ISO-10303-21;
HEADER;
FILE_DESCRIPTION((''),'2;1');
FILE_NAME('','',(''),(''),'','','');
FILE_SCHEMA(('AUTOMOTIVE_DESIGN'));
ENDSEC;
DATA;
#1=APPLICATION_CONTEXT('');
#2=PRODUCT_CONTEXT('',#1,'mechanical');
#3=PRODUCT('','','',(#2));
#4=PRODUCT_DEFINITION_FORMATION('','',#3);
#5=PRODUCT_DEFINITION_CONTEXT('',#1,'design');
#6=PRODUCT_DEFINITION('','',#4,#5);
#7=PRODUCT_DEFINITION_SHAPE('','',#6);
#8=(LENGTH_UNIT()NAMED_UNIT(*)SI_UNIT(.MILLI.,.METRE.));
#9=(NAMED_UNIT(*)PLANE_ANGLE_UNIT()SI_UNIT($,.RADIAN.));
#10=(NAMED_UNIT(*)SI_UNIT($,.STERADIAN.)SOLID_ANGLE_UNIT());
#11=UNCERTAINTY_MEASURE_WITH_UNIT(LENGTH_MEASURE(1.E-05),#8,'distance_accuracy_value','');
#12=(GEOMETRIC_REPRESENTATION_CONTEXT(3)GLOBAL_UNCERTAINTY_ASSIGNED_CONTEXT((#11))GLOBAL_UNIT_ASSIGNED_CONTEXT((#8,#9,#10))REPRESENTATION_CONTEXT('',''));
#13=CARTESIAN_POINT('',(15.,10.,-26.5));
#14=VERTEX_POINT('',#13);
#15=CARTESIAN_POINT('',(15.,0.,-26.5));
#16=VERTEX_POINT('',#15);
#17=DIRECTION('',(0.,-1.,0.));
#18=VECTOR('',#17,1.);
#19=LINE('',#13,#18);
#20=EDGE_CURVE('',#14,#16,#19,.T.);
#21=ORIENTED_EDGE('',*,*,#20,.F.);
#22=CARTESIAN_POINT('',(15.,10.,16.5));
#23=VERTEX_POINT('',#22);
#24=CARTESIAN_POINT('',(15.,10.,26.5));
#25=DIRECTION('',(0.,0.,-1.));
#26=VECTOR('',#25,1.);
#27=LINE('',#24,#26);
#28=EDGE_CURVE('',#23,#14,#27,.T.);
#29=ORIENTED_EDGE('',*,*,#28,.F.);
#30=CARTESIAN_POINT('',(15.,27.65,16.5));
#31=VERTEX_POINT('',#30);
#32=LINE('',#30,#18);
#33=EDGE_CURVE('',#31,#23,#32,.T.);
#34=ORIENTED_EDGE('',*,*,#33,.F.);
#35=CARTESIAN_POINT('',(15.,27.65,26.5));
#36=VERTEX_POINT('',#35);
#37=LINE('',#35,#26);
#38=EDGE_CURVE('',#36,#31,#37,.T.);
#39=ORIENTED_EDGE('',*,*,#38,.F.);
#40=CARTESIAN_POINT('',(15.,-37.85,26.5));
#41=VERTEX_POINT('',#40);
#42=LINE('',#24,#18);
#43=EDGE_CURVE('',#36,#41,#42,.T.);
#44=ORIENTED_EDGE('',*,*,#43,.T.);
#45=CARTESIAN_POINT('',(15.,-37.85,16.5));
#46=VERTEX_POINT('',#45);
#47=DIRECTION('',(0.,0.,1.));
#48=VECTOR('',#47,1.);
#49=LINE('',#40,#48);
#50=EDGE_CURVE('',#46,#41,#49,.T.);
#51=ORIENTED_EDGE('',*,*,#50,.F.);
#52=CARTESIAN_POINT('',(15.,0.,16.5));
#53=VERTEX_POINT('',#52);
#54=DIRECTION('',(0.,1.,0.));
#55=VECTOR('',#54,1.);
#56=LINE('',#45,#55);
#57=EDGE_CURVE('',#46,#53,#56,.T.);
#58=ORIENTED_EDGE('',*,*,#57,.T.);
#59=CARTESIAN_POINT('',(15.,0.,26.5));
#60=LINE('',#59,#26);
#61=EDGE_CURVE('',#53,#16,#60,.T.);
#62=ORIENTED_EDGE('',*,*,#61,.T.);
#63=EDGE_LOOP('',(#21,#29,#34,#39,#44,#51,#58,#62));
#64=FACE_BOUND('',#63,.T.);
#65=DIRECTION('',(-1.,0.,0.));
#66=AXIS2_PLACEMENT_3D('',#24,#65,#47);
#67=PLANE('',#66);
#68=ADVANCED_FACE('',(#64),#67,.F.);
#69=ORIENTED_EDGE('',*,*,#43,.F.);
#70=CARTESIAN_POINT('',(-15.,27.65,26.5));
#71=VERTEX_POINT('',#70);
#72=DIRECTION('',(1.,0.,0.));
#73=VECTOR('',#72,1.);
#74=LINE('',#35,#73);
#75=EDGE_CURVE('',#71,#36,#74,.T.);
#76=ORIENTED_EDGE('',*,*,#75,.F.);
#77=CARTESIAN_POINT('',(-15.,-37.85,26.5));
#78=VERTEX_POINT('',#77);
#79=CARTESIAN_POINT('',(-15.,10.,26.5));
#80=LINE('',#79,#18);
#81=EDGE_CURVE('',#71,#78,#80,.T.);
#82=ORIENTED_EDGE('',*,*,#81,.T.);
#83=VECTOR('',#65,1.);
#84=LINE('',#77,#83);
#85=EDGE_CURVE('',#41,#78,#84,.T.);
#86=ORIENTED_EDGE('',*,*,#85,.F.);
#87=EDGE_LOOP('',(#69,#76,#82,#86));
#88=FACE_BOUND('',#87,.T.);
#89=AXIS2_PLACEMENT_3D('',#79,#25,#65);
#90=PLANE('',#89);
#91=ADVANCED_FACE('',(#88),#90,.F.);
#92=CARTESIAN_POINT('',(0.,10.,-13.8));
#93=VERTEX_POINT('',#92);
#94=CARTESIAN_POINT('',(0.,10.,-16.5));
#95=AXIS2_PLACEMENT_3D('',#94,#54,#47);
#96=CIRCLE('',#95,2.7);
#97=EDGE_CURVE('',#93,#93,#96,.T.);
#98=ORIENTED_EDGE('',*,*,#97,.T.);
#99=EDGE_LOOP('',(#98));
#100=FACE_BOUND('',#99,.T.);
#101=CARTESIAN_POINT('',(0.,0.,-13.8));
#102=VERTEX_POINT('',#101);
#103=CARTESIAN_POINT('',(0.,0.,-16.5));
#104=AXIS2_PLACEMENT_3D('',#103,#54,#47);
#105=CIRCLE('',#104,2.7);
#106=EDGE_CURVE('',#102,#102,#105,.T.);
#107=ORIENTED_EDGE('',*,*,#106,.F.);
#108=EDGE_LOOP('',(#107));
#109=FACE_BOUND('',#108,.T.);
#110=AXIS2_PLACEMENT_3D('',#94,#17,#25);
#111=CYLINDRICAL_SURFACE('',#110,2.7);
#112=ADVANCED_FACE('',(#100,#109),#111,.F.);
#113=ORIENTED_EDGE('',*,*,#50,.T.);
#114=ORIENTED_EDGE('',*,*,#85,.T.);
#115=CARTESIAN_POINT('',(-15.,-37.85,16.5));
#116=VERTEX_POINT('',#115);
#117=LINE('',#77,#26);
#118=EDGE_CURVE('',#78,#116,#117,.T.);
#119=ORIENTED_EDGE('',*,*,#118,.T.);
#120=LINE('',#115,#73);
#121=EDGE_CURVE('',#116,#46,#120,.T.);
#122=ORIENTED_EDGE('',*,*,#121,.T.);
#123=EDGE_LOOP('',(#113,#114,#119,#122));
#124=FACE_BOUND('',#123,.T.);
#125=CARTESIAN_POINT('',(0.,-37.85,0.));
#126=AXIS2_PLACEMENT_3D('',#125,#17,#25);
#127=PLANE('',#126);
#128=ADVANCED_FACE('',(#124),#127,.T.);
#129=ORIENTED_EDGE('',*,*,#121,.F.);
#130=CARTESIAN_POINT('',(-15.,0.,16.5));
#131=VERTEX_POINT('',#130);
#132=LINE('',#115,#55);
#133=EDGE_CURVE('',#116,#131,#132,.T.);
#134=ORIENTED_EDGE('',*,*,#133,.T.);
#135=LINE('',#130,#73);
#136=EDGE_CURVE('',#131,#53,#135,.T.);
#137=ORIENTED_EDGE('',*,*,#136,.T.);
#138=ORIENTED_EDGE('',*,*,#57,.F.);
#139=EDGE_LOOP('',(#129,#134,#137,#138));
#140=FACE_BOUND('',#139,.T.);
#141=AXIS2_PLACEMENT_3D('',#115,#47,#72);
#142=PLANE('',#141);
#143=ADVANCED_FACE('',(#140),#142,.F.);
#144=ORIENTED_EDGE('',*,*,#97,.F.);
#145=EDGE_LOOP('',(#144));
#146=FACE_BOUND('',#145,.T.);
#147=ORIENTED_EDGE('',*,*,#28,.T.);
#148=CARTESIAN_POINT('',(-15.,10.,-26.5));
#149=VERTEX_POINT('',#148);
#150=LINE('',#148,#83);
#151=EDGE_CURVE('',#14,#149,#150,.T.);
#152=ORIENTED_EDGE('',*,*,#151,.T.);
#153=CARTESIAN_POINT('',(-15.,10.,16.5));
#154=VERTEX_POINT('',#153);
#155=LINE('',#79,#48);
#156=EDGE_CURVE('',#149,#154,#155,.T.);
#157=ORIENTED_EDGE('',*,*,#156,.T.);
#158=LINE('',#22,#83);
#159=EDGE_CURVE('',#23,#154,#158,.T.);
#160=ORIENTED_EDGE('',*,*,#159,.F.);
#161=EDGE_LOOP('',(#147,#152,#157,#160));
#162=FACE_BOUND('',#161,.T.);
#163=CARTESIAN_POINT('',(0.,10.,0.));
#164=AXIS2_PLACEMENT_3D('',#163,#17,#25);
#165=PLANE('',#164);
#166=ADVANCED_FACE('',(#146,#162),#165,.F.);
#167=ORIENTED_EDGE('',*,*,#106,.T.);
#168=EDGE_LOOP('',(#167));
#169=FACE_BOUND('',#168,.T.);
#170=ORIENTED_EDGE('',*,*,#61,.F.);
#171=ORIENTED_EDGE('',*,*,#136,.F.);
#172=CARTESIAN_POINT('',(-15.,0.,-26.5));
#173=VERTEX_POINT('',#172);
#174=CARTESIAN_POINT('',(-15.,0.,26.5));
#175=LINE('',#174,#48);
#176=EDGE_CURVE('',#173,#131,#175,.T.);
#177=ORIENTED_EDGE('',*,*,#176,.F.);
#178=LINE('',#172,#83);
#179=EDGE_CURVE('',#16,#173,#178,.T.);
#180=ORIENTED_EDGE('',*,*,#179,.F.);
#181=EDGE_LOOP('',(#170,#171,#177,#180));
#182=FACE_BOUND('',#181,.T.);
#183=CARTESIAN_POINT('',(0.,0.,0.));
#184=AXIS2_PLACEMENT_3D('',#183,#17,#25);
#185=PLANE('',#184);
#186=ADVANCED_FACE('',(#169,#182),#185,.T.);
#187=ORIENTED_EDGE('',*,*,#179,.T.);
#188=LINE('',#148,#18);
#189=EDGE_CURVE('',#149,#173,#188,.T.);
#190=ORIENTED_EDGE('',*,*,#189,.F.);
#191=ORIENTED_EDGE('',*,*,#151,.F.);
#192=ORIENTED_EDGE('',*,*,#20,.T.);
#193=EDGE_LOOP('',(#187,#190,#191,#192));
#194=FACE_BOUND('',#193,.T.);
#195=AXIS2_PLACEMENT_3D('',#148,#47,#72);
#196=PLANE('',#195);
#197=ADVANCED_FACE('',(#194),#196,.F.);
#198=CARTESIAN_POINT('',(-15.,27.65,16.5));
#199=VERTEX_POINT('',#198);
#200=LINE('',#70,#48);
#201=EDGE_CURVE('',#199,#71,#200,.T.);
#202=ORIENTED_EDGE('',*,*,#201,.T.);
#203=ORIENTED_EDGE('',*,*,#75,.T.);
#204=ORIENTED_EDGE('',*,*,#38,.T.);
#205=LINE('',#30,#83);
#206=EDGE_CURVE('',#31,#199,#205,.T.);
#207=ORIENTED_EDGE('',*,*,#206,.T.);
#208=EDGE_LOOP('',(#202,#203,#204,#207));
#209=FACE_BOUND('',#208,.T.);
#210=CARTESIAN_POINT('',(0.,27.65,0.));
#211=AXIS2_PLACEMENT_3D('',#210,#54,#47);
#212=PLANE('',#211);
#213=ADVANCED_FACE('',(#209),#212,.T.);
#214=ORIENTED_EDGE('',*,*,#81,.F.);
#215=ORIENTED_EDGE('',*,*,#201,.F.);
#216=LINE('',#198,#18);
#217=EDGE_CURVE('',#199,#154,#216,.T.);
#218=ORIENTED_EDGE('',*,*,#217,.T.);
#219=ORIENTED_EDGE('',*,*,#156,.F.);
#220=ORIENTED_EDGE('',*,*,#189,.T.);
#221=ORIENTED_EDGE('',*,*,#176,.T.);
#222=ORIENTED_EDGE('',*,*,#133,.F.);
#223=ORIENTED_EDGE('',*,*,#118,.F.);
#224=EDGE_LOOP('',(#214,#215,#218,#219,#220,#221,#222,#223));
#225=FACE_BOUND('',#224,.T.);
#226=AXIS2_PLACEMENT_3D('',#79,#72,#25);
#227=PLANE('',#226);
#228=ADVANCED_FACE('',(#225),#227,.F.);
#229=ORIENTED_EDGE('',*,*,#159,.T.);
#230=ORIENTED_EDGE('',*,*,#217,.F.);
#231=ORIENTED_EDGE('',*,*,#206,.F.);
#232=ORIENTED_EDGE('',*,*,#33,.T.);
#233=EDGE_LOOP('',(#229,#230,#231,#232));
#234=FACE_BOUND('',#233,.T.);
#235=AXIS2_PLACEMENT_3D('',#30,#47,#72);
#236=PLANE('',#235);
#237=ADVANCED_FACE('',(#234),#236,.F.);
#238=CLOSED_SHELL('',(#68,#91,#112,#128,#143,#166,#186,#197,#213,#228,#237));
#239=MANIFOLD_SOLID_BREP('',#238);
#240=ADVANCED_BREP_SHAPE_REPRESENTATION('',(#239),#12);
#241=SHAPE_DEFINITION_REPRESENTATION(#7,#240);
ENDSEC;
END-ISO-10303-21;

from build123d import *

# Parameters (mm, degrees)
SKETCH1_W           = 30
SKETCH1_H           = 53
SKETCH1_R           = 2.7
BOSS_EXTRUDE1_DEPTH = 10
SKETCH3_W           = 30
SKETCH3_H           = 10
BOSS_EXTRUDE2_DEPTH = 17.65
SKETCH5_W           = 30
SKETCH5_H           = 10
BOSS_EXTRUDE4_DEPTH = 37.85


with BuildPart() as part:
    # Sketch1 → Boss-Extrude1 (new body)
    with BuildSketch(Plane(origin=(0, 0, 0), x_dir=(1, 0, 0), z_dir=(0, 1, 0))):
        Rectangle(SKETCH1_W, SKETCH1_H)
        with Locations(Location((0, 16.5, 0), (0, 0, 270))):
            Circle(SKETCH1_R, mode=Mode.SUBTRACT)
    extrude(amount=BOSS_EXTRUDE1_DEPTH)

    # Sketch3 → Boss-Extrude2 (add)
    with BuildSketch(Plane(origin=(0, 10, 0), x_dir=(1, 0, 0), z_dir=(0, 1, 0))):
        with Locations((0, -21.5)):
            Rectangle(SKETCH3_W, SKETCH3_H)
    extrude(amount=BOSS_EXTRUDE2_DEPTH)

    # Sketch5 → Boss-Extrude4 (add)
    with BuildSketch(Plane.XZ):
        with Locations((0, 21.5)):
            Rectangle(SKETCH5_W, SKETCH5_H)
    extrude(amount=BOSS_EXTRUDE4_DEPTH)


solid = part.part
